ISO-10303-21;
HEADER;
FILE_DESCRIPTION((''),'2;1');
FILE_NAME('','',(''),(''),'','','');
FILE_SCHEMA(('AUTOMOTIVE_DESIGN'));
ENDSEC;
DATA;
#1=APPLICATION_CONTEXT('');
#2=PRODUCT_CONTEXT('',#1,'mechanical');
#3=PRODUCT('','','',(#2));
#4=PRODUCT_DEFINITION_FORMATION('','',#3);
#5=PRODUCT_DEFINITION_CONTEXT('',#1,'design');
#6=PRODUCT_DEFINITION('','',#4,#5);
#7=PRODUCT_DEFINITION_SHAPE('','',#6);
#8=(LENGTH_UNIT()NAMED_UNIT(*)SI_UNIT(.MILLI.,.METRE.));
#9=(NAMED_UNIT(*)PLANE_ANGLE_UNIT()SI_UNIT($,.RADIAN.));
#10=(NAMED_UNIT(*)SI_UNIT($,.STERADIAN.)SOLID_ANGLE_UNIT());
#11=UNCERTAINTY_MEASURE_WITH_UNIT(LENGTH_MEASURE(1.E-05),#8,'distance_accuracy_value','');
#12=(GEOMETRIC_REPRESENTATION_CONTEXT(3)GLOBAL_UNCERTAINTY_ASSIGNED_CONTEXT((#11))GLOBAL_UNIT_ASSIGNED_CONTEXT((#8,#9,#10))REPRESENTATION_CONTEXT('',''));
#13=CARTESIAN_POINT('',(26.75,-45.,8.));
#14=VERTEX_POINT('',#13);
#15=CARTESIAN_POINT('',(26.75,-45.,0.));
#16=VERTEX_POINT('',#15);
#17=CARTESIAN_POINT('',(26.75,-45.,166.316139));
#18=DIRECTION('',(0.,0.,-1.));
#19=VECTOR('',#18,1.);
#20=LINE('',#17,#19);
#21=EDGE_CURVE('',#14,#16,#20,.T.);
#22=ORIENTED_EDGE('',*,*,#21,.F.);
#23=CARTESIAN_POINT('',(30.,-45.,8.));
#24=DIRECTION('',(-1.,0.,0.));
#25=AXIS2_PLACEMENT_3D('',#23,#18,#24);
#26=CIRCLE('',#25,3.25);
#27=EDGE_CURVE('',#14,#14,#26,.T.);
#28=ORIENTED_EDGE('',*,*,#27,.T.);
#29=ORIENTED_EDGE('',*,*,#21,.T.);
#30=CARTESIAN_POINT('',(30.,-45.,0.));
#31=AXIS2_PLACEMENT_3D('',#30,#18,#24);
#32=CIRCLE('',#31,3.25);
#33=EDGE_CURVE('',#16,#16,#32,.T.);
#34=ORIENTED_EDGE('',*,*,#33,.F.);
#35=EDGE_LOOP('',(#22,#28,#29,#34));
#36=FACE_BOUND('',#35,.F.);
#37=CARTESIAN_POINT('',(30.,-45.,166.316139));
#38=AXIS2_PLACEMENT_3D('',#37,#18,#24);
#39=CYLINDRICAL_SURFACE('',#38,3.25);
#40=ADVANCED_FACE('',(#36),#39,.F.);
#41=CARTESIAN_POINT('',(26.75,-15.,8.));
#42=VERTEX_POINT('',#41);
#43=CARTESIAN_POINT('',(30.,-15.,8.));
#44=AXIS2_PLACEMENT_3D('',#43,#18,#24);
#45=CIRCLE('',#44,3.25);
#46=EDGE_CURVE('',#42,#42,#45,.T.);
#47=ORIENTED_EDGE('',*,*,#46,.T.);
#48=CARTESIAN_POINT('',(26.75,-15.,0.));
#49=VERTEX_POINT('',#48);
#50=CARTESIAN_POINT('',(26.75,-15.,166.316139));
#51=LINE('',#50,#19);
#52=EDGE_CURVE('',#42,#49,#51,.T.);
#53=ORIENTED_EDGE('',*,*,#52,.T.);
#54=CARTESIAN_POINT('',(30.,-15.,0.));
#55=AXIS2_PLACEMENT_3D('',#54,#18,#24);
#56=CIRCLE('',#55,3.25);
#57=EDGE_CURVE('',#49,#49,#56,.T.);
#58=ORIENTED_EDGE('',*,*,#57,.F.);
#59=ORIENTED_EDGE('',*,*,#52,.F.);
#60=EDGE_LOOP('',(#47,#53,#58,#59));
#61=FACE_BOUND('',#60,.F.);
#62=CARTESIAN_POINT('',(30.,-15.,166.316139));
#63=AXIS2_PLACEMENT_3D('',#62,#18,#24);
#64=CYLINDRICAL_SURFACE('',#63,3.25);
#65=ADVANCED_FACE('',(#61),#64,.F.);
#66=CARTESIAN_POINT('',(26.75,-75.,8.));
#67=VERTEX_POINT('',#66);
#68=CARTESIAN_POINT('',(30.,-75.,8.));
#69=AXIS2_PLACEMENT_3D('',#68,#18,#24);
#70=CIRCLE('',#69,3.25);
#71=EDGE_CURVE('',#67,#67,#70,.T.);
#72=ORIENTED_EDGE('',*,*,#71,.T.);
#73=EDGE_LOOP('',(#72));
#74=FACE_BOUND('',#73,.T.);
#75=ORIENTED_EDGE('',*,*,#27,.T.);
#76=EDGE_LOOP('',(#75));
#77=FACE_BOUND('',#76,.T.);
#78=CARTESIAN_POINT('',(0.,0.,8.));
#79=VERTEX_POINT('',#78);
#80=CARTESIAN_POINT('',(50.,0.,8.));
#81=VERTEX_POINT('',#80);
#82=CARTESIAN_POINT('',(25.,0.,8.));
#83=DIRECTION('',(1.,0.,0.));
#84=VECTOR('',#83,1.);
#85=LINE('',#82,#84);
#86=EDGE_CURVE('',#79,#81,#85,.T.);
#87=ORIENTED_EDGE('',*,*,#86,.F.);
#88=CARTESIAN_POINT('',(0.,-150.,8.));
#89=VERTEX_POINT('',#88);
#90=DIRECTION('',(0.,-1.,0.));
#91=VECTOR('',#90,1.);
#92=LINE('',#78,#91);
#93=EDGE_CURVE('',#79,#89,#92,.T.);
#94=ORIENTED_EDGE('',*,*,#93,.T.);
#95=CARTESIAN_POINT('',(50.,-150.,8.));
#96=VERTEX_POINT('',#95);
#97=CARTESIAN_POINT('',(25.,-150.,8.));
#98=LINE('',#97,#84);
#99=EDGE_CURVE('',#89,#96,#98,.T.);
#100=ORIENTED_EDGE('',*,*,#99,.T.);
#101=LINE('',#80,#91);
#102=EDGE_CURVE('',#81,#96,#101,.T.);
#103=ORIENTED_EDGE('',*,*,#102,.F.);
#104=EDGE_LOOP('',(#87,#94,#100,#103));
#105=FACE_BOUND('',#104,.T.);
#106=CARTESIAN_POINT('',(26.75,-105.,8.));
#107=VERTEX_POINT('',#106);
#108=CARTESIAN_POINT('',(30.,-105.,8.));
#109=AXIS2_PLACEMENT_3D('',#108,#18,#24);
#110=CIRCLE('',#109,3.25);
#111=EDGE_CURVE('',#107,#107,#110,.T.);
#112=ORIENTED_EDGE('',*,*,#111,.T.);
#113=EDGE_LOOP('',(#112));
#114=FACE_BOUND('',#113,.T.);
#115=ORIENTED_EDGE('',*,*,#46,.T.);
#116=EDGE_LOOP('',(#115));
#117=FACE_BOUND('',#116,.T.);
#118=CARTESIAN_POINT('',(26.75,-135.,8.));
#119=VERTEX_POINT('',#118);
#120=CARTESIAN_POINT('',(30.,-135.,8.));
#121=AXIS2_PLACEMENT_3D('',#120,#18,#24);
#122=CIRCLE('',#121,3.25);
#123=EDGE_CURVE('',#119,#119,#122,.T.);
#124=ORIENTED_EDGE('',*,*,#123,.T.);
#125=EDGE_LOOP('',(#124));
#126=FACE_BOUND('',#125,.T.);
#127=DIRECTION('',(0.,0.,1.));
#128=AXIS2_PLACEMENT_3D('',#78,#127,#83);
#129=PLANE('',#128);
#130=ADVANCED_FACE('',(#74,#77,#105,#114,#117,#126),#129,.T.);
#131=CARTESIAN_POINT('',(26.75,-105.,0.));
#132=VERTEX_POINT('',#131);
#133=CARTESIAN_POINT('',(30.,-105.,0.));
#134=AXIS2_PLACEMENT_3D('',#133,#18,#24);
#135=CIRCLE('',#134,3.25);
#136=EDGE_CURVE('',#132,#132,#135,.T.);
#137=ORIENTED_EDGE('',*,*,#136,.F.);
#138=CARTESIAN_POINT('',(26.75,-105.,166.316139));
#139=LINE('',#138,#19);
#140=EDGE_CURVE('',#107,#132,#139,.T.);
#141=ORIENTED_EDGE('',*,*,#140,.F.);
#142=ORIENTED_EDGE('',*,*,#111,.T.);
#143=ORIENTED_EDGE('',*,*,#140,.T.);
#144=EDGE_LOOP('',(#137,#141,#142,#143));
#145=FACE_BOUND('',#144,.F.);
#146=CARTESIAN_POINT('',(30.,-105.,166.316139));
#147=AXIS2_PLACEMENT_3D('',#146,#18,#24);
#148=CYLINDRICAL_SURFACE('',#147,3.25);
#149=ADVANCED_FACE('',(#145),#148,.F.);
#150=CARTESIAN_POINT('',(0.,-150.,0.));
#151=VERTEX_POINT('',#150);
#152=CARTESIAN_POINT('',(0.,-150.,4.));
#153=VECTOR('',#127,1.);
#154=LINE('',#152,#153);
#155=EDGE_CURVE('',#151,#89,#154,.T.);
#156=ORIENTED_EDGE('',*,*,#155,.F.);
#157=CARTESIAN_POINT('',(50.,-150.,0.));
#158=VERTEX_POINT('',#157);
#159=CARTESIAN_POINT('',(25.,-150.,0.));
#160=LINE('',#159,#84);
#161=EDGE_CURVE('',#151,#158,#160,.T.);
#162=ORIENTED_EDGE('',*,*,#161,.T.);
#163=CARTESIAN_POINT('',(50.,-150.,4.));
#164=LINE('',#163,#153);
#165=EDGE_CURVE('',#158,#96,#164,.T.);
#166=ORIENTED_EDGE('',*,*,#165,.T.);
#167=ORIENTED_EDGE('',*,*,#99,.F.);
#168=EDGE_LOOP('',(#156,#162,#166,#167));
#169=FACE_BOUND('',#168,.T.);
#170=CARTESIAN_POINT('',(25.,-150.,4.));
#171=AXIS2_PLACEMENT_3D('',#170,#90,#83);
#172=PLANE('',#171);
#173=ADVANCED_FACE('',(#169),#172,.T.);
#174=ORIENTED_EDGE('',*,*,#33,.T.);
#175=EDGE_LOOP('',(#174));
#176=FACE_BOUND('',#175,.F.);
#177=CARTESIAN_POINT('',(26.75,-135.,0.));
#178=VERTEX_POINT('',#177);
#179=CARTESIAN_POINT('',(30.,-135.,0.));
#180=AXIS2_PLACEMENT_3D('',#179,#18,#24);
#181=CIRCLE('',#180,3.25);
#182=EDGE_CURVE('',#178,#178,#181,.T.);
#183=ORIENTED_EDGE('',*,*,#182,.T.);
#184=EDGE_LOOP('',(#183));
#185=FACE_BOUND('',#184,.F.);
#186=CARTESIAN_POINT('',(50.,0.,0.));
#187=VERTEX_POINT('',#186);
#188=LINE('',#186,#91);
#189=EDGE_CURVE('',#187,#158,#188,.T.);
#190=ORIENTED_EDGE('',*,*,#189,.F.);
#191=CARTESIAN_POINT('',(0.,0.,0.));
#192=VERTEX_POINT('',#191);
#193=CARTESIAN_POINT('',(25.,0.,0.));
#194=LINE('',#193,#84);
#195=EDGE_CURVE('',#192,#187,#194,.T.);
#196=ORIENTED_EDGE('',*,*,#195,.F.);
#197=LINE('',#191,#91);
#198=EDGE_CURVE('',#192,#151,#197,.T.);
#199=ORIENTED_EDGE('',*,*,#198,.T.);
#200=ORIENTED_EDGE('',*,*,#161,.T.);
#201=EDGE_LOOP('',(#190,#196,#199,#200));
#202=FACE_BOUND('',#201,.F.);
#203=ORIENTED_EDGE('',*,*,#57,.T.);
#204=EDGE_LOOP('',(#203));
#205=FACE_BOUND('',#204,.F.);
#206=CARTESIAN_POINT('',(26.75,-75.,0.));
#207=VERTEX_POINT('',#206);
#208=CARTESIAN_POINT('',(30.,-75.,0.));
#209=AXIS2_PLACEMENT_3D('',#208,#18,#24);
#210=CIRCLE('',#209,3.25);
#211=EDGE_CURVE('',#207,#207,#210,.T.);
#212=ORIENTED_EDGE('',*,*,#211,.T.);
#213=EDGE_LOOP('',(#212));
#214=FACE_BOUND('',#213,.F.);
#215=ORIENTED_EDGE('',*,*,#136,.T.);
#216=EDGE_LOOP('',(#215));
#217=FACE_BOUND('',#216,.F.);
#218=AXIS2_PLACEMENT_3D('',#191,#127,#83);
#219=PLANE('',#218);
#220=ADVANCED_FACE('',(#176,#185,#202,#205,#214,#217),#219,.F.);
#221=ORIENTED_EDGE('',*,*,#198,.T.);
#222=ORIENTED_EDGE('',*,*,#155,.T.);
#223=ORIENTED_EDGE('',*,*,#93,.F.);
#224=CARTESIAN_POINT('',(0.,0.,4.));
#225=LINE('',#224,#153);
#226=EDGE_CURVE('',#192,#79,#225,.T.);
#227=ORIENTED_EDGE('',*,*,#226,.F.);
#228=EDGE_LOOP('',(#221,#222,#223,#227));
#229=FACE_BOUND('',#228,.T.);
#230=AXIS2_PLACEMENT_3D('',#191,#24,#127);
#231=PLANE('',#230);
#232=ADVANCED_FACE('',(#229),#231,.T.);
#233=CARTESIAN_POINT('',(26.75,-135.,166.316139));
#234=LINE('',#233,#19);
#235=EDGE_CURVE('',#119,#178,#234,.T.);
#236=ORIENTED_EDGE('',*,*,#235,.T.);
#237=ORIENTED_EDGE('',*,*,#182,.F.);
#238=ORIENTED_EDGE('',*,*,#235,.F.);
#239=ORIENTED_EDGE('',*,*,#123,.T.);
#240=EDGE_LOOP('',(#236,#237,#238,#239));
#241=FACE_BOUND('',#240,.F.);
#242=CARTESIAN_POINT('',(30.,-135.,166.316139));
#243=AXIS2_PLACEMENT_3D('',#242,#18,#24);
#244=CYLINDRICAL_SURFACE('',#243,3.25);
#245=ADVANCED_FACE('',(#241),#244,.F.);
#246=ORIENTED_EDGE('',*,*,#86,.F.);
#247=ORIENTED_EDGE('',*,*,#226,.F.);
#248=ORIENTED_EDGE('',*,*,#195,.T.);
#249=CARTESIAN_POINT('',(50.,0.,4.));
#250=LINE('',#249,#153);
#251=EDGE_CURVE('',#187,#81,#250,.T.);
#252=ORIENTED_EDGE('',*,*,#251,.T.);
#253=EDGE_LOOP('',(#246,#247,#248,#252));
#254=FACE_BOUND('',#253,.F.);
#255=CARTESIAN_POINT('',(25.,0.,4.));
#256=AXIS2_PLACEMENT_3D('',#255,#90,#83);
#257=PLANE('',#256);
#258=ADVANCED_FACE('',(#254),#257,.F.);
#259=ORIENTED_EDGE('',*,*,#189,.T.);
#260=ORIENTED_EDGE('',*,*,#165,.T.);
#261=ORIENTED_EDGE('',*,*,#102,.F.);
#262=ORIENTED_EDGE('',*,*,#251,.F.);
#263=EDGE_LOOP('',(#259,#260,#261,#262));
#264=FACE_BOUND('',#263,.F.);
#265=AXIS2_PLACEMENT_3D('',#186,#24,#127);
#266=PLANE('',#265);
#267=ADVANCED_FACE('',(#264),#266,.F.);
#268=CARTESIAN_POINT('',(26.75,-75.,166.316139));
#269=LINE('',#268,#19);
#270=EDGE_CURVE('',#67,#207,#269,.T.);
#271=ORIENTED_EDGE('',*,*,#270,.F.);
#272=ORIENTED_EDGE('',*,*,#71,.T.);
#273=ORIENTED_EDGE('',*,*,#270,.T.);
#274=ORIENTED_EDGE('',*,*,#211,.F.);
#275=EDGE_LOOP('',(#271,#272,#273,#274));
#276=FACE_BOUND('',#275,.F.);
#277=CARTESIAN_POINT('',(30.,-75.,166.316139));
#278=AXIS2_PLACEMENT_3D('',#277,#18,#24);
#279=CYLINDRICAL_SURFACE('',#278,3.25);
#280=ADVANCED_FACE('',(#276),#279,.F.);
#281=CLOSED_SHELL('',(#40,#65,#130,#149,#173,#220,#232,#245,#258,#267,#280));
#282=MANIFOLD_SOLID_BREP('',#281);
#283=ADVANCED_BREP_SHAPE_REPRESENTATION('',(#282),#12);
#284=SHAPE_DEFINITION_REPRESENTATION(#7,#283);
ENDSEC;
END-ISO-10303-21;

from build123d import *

# Parameters (mm, degrees)
F0_W     = 50
F0_H     = 8
F1_DEPTH = 150
F3_D     = 6.5


with BuildPart() as f1:
    # F0 (on Front) → F1 (new body)
    with BuildSketch(Plane.XZ):
        with Locations((25, 4)):
            Rectangle(F0_W, F0_H)
    extrude(amount=F1_DEPTH)

    # F3 (through all)
    with Locations(Plane.XY.offset(8)):
        with Locations((30, -15), (30, -45), (30, -75), (30, -105), (30, -135)):
            Hole(F3_D / 2)


solid = f1.part
